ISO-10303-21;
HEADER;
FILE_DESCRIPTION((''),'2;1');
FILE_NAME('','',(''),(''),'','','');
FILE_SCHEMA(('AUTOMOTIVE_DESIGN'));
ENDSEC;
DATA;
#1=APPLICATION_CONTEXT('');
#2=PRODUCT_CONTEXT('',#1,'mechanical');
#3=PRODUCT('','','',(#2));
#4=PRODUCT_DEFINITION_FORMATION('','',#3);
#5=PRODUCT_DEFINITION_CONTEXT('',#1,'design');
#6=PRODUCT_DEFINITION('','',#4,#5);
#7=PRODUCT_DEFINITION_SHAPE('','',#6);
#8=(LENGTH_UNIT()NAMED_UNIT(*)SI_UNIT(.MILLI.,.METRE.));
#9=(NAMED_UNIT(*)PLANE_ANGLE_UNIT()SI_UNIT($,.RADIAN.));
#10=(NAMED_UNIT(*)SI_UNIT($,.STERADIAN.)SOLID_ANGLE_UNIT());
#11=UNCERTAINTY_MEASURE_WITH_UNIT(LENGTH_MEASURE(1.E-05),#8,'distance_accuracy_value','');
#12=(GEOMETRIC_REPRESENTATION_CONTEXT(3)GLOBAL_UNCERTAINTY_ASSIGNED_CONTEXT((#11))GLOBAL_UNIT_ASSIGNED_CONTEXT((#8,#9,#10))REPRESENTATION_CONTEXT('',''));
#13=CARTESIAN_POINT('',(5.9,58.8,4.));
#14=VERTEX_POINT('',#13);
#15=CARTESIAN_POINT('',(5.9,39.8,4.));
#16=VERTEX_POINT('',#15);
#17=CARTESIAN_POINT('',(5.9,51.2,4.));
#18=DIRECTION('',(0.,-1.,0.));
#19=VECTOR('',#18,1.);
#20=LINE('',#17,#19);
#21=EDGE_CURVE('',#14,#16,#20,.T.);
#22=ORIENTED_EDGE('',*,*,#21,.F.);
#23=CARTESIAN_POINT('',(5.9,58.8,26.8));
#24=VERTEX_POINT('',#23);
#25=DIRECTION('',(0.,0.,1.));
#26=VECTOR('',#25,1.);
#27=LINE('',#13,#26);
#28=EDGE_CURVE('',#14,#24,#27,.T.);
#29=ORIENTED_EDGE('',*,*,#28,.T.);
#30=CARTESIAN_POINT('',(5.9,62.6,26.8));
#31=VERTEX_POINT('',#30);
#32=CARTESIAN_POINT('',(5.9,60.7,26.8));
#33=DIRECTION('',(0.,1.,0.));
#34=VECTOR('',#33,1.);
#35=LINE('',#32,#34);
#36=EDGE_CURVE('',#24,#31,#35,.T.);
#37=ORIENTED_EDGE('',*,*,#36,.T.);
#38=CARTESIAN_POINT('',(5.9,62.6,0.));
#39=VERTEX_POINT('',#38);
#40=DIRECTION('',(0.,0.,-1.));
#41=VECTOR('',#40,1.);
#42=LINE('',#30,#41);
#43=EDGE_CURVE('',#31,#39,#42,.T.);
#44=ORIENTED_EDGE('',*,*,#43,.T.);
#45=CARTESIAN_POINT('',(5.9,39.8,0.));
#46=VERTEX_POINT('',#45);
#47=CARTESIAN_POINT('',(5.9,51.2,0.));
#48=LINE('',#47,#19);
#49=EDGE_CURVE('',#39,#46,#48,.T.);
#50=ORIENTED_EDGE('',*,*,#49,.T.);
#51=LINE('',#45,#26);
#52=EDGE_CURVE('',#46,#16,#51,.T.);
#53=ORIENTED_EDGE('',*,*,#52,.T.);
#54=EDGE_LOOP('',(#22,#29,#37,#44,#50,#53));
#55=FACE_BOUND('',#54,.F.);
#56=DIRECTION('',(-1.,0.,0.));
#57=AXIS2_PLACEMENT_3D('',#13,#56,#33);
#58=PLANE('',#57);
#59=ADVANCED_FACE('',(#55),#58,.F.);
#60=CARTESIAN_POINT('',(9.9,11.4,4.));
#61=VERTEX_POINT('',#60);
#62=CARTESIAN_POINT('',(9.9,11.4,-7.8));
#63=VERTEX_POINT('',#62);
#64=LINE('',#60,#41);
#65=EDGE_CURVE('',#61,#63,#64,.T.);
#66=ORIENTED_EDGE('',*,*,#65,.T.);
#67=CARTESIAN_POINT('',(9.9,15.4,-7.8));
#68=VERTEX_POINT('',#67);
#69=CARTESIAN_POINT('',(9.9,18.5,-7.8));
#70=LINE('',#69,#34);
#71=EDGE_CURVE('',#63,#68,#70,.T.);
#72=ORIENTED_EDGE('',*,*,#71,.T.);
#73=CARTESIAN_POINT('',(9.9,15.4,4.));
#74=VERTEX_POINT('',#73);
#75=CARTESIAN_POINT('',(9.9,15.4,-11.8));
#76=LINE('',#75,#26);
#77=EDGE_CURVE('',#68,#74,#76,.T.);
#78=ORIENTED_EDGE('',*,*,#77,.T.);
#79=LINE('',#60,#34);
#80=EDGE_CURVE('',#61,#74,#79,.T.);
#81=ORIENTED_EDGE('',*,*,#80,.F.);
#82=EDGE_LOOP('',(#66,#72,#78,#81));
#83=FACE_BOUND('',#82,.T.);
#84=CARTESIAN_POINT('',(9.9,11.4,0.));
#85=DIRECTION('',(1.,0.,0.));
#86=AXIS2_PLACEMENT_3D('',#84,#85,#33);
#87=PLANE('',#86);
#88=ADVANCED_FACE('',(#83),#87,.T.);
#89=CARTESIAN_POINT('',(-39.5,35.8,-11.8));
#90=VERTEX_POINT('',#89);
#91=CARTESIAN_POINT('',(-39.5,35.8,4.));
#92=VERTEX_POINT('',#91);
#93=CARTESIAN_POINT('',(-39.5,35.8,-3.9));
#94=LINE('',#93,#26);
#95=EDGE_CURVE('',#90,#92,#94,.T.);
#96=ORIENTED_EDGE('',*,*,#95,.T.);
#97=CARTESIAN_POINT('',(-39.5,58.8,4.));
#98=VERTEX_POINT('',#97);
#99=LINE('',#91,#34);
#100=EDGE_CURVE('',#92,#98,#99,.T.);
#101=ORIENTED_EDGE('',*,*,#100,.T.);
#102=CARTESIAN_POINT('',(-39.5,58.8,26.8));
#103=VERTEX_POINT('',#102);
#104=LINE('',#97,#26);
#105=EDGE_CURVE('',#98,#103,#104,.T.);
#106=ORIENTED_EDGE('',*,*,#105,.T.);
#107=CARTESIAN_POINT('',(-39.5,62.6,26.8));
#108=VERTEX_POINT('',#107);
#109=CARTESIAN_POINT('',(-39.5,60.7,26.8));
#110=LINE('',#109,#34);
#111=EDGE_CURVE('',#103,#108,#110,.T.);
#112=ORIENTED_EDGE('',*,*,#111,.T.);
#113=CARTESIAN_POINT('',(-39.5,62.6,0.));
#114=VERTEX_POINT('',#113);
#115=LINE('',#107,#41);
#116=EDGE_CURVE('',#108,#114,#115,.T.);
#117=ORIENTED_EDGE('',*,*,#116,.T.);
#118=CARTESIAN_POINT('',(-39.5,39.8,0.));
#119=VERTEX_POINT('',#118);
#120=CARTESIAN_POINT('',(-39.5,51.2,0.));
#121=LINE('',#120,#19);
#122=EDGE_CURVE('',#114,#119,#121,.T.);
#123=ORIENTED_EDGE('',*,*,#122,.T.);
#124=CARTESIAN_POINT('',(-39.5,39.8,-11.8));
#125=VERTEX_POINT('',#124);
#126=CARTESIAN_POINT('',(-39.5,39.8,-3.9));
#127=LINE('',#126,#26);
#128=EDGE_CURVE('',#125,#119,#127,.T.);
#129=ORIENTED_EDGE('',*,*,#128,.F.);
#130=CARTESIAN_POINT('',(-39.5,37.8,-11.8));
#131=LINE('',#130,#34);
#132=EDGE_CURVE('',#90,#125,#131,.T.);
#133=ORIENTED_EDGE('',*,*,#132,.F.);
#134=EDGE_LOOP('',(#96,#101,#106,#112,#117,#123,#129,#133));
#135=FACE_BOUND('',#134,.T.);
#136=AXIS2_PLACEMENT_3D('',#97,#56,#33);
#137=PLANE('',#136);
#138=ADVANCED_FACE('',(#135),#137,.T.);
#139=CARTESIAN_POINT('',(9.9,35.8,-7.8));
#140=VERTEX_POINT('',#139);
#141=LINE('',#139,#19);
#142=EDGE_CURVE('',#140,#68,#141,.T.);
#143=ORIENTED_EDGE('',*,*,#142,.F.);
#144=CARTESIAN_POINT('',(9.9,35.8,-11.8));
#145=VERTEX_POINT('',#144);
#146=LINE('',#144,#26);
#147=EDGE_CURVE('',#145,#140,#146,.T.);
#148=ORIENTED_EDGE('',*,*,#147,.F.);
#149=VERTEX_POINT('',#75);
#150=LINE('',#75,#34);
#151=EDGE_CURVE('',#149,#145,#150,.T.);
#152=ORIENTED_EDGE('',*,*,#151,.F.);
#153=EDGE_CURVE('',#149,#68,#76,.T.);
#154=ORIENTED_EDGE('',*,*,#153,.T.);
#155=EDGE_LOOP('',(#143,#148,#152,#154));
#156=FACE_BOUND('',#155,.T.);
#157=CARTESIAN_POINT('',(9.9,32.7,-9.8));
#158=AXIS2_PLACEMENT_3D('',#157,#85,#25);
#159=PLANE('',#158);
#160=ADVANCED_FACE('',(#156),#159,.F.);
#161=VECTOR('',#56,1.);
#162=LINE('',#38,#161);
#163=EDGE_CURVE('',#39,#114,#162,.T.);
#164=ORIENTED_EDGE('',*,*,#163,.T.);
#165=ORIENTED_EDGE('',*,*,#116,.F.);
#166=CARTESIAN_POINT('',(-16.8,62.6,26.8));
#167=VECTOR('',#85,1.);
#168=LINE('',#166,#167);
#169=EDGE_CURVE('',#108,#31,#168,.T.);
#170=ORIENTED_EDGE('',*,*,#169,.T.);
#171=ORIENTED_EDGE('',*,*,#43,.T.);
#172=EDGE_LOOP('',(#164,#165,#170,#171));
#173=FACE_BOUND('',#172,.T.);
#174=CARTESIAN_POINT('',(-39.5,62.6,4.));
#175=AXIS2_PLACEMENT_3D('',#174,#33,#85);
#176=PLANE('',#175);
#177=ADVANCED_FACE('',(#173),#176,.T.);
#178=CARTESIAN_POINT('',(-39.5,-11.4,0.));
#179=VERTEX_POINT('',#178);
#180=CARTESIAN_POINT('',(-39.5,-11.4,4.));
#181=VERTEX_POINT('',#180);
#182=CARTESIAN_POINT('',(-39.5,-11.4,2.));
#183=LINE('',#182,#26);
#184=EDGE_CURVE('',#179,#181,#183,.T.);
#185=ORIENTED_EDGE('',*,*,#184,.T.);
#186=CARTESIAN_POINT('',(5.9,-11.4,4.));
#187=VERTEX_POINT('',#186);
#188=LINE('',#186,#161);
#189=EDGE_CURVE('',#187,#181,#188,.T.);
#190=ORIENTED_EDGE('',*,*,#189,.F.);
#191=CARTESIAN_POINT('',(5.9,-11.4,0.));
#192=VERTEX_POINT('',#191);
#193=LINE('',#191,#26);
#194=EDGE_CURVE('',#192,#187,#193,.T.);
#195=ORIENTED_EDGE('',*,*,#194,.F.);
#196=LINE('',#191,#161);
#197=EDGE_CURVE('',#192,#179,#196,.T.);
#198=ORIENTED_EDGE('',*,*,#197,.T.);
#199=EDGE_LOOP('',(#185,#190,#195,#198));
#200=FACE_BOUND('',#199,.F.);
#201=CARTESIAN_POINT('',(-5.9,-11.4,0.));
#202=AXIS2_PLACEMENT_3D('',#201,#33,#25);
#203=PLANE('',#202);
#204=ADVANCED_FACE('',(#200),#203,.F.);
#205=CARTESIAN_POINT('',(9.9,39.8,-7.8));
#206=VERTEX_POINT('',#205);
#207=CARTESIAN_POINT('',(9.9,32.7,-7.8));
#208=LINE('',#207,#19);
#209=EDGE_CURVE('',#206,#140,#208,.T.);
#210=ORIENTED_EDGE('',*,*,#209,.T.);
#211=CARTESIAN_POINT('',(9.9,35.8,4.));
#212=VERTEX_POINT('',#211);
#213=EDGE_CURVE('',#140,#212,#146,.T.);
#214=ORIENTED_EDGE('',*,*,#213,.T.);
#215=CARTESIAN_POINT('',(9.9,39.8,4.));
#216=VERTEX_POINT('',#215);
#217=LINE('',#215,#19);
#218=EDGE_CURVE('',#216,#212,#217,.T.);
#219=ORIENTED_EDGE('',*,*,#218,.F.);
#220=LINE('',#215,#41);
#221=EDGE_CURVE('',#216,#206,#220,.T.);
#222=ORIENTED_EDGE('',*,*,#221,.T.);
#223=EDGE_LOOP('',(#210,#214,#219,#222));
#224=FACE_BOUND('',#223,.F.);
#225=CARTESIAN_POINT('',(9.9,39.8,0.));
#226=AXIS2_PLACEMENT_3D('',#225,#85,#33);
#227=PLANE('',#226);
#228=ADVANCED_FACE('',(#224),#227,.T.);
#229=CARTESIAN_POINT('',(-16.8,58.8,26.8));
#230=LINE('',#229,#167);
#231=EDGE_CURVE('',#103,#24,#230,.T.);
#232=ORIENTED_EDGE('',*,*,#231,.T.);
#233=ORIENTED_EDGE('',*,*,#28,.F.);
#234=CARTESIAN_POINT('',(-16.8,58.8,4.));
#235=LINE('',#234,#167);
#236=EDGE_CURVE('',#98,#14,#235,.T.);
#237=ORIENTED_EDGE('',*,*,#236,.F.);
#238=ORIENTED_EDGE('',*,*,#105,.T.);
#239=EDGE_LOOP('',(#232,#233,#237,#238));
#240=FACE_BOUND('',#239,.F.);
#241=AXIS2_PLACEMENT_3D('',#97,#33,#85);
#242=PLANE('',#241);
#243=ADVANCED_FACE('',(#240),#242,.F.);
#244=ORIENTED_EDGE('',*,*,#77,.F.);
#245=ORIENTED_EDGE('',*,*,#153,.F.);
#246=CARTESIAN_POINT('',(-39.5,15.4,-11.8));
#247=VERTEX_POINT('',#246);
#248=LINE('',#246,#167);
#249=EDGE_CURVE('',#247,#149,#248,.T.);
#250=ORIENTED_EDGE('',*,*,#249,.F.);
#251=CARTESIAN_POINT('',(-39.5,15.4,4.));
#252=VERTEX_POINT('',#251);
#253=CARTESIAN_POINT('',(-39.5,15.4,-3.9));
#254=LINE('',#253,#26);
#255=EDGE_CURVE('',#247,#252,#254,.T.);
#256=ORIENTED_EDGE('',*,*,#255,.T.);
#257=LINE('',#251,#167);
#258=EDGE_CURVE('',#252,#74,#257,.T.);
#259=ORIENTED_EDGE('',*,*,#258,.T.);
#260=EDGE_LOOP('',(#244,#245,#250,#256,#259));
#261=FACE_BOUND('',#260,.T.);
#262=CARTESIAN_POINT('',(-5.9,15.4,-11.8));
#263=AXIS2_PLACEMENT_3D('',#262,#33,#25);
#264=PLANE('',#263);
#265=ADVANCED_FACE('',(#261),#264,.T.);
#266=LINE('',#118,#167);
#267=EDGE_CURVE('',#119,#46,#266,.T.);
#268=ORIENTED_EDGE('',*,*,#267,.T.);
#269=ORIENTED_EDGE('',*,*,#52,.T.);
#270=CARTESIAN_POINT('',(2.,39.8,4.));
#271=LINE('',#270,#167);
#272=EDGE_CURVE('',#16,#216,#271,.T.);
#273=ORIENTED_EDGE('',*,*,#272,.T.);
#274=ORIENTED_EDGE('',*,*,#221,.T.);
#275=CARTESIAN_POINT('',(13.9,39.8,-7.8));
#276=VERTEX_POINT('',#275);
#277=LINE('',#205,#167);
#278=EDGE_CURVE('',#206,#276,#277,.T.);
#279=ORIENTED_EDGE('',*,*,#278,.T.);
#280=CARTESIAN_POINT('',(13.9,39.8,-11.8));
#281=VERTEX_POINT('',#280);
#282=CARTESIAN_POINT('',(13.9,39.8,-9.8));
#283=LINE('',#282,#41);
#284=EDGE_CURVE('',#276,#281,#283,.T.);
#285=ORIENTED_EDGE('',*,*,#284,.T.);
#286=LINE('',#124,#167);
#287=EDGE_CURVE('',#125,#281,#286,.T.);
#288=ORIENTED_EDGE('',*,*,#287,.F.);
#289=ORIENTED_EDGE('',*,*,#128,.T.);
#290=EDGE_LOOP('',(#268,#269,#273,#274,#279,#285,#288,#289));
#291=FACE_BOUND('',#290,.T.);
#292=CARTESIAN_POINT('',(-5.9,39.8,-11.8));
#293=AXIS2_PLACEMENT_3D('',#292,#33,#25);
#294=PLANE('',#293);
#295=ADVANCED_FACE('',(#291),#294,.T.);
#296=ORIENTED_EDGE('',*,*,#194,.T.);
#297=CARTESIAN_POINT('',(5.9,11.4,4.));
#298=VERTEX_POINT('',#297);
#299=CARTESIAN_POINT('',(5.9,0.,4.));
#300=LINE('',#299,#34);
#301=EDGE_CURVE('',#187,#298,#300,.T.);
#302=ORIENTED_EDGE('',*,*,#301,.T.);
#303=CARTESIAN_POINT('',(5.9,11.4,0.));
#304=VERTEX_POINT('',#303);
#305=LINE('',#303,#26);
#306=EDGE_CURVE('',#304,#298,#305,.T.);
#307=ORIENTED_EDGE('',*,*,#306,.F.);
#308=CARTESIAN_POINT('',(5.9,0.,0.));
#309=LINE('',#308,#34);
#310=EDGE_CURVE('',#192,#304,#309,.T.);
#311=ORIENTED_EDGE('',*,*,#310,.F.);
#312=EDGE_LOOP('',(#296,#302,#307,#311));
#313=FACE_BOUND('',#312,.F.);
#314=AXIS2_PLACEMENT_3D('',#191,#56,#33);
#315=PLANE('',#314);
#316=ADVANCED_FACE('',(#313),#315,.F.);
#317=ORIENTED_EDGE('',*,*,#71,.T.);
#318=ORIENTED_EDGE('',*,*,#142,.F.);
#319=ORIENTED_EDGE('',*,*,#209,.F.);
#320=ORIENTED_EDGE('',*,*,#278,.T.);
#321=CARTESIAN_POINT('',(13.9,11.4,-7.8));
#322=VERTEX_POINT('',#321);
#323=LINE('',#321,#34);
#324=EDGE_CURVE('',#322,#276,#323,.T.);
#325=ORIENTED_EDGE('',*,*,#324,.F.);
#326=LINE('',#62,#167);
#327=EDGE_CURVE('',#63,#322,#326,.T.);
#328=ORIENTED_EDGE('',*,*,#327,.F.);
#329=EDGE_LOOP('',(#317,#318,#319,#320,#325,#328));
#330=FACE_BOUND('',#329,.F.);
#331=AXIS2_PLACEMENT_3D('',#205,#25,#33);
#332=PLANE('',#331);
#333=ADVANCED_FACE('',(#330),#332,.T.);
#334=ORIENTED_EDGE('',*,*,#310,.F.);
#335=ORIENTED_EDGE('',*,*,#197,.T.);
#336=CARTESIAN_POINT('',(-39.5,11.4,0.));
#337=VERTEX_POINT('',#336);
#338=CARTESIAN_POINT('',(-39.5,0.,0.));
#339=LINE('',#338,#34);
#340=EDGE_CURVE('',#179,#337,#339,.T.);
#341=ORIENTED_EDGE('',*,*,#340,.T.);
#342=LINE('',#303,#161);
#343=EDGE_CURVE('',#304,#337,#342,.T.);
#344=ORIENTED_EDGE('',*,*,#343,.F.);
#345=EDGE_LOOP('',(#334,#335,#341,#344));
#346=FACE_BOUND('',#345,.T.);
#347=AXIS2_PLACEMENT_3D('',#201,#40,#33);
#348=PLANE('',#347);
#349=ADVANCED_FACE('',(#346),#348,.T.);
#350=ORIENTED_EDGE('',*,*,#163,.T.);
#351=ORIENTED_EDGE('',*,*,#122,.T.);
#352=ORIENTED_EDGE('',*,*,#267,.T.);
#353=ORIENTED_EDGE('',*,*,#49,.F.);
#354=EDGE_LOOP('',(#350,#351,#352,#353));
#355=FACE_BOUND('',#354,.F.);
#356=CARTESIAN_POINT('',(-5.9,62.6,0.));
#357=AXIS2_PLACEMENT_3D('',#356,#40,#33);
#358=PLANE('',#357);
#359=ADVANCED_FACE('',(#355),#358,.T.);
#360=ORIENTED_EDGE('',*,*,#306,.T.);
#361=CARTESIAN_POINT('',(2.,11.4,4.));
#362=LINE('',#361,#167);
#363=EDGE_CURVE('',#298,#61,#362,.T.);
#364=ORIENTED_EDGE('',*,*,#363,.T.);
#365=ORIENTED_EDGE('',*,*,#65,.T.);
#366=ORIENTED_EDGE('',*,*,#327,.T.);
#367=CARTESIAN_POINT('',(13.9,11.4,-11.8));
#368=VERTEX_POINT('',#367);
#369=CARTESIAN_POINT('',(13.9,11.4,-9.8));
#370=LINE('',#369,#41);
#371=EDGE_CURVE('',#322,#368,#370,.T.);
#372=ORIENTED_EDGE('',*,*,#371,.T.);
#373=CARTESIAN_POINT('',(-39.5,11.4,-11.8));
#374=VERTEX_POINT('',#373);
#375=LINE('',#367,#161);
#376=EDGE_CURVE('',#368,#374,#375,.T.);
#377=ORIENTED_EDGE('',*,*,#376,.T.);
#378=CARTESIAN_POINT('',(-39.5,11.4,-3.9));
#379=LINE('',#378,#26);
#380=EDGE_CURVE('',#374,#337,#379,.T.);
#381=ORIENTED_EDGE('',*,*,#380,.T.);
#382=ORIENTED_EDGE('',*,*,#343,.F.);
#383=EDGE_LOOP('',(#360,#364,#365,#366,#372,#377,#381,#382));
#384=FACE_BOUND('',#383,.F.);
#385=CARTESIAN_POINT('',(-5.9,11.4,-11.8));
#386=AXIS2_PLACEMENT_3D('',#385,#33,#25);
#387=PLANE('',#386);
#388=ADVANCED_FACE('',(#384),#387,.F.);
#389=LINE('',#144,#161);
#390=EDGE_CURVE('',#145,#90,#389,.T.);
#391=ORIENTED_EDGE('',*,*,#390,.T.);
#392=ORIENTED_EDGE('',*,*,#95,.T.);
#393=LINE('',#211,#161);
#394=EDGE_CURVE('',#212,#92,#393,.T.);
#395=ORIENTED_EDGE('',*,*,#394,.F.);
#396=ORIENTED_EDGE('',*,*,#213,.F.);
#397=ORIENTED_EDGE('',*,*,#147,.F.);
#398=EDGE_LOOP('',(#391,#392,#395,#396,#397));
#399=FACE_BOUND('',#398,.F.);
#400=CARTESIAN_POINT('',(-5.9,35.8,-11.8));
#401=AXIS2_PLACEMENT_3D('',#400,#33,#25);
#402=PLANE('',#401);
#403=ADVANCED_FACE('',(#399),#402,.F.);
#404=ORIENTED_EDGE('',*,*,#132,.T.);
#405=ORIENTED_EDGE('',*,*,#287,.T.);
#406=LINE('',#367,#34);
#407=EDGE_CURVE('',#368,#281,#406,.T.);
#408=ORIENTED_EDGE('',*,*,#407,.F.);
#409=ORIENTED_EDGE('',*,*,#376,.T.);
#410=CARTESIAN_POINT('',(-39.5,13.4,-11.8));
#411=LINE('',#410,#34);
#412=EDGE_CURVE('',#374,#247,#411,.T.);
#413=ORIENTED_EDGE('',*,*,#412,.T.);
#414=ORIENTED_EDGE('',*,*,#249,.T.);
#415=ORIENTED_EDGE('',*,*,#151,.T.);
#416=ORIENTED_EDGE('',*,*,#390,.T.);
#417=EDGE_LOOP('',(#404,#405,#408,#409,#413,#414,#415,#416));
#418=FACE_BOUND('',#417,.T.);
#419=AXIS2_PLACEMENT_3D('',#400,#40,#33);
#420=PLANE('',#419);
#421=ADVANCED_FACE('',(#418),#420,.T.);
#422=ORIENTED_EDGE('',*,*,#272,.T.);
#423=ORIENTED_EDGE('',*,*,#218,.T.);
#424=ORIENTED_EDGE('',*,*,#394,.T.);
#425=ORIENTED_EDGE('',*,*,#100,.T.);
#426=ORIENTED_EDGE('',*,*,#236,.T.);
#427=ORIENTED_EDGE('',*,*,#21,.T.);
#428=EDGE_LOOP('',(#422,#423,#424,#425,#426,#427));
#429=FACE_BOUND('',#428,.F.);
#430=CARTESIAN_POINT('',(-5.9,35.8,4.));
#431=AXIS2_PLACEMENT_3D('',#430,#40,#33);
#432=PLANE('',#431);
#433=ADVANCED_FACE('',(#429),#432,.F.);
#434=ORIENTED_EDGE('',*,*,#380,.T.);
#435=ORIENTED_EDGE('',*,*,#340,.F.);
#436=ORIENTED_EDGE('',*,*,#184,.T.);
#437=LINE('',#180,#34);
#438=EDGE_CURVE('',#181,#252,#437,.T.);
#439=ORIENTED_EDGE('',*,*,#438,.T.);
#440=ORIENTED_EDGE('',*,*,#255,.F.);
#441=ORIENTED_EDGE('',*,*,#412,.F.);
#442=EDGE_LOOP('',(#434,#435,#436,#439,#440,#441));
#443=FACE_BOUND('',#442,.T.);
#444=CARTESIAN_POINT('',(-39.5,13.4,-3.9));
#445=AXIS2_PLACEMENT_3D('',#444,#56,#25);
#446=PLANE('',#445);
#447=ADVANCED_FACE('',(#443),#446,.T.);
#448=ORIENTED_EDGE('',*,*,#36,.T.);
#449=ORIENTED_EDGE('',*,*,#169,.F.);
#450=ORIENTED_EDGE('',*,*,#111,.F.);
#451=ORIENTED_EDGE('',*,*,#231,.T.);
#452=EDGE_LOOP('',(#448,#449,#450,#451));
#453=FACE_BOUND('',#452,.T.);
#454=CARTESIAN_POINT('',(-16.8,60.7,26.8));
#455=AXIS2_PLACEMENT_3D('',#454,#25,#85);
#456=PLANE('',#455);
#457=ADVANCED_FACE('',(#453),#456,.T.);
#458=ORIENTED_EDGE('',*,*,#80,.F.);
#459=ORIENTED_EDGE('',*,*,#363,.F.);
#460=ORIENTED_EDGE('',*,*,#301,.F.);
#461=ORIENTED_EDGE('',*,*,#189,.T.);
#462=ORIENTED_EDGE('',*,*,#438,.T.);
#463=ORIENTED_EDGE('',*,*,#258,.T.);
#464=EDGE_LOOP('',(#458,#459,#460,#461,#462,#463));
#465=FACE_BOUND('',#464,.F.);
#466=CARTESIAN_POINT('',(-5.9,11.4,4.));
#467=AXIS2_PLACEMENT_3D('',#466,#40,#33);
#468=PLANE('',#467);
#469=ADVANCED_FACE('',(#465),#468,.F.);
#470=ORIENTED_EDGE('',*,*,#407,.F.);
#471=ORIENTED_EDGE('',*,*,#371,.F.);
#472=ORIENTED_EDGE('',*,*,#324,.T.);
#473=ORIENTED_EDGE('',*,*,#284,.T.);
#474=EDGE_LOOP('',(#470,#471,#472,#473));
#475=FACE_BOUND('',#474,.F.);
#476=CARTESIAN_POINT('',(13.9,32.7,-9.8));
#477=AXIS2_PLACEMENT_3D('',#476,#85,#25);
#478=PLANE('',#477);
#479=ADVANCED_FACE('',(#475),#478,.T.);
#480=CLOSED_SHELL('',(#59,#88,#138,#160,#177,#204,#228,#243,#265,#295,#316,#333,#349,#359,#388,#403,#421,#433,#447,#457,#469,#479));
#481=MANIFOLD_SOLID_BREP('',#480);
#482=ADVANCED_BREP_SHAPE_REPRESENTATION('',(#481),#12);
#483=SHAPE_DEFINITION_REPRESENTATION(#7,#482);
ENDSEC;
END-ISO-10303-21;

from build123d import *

# Parameters (mm, degrees)
SKETCH_1_W       = 11.8
SKETCH_1_H       = 22.8
EXTRUDE_1_DEPTH  = 4
SKETCH_2_W       = 15.8
SKETCH_2_H       = 4
EXTRUDE_2_DEPTH  = 2
SKETCH_5_W       = 15.8
SKETCH_5_H       = 4
EXTRUDE_4_DEPTH  = 2
SKETCH_6_W       = 15.8
SKETCH_6_H       = 4
EXTRUDE_5_DEPTH  = 11.8
SKETCH_7_W       = 4
SKETCH_7_H       = 14.2
EXTRUDE_7_DEPTH  = 4
SKETCH_8_W       = 4
SKETCH_8_H       = 22.8
EXTRUDE_8_DEPTH  = 33.6
SKETCH_10_W      = 15.8
SKETCH_10_H      = 4
EXTRUDE_9_DEPTH  = 33.6
SKETCH_11_W      = 15.8
SKETCH_11_H      = 4
EXTRUDE_10_DEPTH = 33.6
SKETCH_12_W      = 45.4
SKETCH_12_H      = 3.8
EXTRUDE_11_DEPTH = 22.8


with BuildPart() as part:
    # 스케치1 → 보스-돌출1 (new body)
    with BuildSketch(Plane.XY):
        Rectangle(SKETCH_1_W, SKETCH_1_H)
    extrude(amount=EXTRUDE_1_DEPTH)

    # 스케치2 → 보스-돌출2 (add)
    with BuildSketch(Plane(origin=(0, 11.4, 0), x_dir=(1, 0, 0), z_dir=(0, 1, 0))):
        with Locations((2, -2)):
            Rectangle(SKETCH_2_W, SKETCH_2_H)
    extrude(amount=EXTRUDE_2_DEPTH)

    # 스케치5 → 보스-돌출4 (add)
    with BuildSketch(Plane(origin=(0, 13.4, 0), x_dir=(1, 0, 0), z_dir=(0, 1, 0))):
        with Locations((2, -2)):
            Rectangle(SKETCH_5_W, SKETCH_5_H)
    extrude(amount=EXTRUDE_4_DEPTH)

    # 스케치6 → 보스-돌출5 (add)
    with BuildSketch(Plane(origin=(0, 0, 0), x_dir=(-1, 0, 0), z_dir=(0, 0, -1))):
        with Locations((-2, 13.4)):
            Rectangle(SKETCH_6_W, SKETCH_6_H)
    extrude(amount=EXTRUDE_5_DEPTH)

    # 스케치7 → 보스-돌출7 (add)
    with BuildSketch(Plane(origin=(9.9, 0, 0), x_dir=(0, 0, -1), z_dir=(1, 0, 0))):
        with Locations((9.8, 18.5)):
            Rectangle(SKETCH_7_W, SKETCH_7_H)
    extrude(amount=EXTRUDE_7_DEPTH)

    # 스케치8 → 보스-돌출8 (add)
    with BuildSketch(Plane.ZY.offset(5.9)):
        with Locations((2, 0)):
            Rectangle(SKETCH_8_W, SKETCH_8_H)
    extrude(amount=EXTRUDE_8_DEPTH)

    # 대칭 복사3: part across plane


with BuildPart() as part_1:
    add(part.part)
    add(part.part.mirror(Plane(origin=(13.9, 25.6, -11.8), x_dir=(0, 0, 1), z_dir=(0, -1, 0))))

    # 스케치10 → 보스-돌출9 (add)
    with BuildSketch(Plane.ZY.offset(5.9)):
        with Locations((-3.9, 13.4)):
            Rectangle(SKETCH_10_W, SKETCH_10_H)
    extrude(amount=EXTRUDE_9_DEPTH)

    # 스케치11 → 보스-돌출10 (add)
    with BuildSketch(Plane.ZY.offset(5.9)):
        with Locations((-3.9, 37.8)):
            Rectangle(SKETCH_11_W, SKETCH_11_H)
    extrude(amount=EXTRUDE_10_DEPTH)

    # 스케치12 → 보스-돌출11 (add)
    with BuildSketch(Plane.XY.offset(4)):
        with Locations((-16.8, 60.7)):
            Rectangle(SKETCH_12_W, SKETCH_12_H)
    extrude(amount=EXTRUDE_11_DEPTH)


solid = part_1.part
